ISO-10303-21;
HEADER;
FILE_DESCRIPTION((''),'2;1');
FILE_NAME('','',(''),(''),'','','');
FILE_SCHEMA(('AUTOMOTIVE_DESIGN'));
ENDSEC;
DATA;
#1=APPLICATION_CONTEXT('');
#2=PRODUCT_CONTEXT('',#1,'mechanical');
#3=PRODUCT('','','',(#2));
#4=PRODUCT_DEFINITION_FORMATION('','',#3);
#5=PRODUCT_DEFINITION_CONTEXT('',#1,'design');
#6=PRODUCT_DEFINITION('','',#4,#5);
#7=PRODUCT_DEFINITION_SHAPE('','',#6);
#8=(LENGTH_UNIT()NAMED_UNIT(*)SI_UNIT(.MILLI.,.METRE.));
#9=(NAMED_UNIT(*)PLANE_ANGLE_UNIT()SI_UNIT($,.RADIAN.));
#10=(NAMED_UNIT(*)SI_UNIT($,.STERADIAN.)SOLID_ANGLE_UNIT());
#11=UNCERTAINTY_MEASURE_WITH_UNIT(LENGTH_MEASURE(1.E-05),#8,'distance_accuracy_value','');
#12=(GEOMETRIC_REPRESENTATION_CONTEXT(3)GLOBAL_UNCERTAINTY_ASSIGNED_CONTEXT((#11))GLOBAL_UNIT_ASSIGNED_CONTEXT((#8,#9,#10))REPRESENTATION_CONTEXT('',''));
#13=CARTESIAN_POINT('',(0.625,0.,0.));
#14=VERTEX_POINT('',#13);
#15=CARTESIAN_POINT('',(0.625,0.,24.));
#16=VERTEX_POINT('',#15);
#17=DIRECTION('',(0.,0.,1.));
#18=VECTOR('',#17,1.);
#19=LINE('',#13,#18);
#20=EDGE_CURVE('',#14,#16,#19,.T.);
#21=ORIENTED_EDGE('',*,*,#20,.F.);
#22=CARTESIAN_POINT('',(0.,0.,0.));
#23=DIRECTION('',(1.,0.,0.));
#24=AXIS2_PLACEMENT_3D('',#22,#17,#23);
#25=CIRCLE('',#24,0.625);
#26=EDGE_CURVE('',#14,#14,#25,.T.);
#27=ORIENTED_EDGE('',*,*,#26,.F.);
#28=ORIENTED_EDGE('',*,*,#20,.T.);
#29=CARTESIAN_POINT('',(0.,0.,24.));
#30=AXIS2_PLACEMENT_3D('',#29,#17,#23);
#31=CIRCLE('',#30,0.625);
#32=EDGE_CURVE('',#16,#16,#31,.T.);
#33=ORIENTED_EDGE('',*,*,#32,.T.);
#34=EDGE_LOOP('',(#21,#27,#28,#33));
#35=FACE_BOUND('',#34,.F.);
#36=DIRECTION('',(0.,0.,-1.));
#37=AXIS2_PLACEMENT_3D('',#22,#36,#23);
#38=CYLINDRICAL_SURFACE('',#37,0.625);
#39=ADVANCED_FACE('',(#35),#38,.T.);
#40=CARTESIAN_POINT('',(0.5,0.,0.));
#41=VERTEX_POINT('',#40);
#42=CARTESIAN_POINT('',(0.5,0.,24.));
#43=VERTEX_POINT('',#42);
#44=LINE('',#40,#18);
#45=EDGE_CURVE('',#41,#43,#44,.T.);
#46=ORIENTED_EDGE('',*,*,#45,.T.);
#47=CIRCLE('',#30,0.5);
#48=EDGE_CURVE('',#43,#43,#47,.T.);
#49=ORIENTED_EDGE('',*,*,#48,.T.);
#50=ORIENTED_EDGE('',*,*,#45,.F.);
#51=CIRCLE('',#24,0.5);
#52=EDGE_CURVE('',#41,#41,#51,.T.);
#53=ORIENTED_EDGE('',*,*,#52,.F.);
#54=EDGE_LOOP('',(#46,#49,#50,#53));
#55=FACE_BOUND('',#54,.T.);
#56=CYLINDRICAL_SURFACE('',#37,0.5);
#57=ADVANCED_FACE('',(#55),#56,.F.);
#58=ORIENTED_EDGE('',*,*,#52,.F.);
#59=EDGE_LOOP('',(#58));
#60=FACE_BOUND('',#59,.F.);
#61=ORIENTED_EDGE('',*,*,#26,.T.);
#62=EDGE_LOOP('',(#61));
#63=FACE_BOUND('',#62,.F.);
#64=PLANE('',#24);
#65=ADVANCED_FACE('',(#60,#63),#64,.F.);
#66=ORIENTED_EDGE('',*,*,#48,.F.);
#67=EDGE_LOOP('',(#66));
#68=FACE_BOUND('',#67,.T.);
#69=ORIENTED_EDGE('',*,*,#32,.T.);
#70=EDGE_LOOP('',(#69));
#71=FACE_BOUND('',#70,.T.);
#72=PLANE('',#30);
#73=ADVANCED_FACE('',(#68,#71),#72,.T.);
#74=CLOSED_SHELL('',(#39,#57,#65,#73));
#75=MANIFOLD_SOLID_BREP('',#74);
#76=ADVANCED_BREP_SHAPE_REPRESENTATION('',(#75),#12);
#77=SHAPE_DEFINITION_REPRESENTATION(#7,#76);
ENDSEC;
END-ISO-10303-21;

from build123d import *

# Parameters (mm, degrees)
CYLINDER001_R     = 0.5
CYLINDER001_DEPTH = 24
CYLINDER_R        = 0.625
CYLINDER_DEPTH    = 24


with BuildPart() as tool:
    # Cylinder001 → Cylinder001 (new body)
    with BuildSketch(Plane.XY):
        Circle(CYLINDER001_R)
    extrude(amount=CYLINDER001_DEPTH)


with BuildPart() as cut:
    # Cylinder → Cylinder (new body)
    with BuildSketch(Plane.XY):
        Circle(CYLINDER_R)
    extrude(amount=CYLINDER_DEPTH)

    # Cut: cut tool
    add(tool.part, mode=Mode.SUBTRACT)


solid = cut.part
